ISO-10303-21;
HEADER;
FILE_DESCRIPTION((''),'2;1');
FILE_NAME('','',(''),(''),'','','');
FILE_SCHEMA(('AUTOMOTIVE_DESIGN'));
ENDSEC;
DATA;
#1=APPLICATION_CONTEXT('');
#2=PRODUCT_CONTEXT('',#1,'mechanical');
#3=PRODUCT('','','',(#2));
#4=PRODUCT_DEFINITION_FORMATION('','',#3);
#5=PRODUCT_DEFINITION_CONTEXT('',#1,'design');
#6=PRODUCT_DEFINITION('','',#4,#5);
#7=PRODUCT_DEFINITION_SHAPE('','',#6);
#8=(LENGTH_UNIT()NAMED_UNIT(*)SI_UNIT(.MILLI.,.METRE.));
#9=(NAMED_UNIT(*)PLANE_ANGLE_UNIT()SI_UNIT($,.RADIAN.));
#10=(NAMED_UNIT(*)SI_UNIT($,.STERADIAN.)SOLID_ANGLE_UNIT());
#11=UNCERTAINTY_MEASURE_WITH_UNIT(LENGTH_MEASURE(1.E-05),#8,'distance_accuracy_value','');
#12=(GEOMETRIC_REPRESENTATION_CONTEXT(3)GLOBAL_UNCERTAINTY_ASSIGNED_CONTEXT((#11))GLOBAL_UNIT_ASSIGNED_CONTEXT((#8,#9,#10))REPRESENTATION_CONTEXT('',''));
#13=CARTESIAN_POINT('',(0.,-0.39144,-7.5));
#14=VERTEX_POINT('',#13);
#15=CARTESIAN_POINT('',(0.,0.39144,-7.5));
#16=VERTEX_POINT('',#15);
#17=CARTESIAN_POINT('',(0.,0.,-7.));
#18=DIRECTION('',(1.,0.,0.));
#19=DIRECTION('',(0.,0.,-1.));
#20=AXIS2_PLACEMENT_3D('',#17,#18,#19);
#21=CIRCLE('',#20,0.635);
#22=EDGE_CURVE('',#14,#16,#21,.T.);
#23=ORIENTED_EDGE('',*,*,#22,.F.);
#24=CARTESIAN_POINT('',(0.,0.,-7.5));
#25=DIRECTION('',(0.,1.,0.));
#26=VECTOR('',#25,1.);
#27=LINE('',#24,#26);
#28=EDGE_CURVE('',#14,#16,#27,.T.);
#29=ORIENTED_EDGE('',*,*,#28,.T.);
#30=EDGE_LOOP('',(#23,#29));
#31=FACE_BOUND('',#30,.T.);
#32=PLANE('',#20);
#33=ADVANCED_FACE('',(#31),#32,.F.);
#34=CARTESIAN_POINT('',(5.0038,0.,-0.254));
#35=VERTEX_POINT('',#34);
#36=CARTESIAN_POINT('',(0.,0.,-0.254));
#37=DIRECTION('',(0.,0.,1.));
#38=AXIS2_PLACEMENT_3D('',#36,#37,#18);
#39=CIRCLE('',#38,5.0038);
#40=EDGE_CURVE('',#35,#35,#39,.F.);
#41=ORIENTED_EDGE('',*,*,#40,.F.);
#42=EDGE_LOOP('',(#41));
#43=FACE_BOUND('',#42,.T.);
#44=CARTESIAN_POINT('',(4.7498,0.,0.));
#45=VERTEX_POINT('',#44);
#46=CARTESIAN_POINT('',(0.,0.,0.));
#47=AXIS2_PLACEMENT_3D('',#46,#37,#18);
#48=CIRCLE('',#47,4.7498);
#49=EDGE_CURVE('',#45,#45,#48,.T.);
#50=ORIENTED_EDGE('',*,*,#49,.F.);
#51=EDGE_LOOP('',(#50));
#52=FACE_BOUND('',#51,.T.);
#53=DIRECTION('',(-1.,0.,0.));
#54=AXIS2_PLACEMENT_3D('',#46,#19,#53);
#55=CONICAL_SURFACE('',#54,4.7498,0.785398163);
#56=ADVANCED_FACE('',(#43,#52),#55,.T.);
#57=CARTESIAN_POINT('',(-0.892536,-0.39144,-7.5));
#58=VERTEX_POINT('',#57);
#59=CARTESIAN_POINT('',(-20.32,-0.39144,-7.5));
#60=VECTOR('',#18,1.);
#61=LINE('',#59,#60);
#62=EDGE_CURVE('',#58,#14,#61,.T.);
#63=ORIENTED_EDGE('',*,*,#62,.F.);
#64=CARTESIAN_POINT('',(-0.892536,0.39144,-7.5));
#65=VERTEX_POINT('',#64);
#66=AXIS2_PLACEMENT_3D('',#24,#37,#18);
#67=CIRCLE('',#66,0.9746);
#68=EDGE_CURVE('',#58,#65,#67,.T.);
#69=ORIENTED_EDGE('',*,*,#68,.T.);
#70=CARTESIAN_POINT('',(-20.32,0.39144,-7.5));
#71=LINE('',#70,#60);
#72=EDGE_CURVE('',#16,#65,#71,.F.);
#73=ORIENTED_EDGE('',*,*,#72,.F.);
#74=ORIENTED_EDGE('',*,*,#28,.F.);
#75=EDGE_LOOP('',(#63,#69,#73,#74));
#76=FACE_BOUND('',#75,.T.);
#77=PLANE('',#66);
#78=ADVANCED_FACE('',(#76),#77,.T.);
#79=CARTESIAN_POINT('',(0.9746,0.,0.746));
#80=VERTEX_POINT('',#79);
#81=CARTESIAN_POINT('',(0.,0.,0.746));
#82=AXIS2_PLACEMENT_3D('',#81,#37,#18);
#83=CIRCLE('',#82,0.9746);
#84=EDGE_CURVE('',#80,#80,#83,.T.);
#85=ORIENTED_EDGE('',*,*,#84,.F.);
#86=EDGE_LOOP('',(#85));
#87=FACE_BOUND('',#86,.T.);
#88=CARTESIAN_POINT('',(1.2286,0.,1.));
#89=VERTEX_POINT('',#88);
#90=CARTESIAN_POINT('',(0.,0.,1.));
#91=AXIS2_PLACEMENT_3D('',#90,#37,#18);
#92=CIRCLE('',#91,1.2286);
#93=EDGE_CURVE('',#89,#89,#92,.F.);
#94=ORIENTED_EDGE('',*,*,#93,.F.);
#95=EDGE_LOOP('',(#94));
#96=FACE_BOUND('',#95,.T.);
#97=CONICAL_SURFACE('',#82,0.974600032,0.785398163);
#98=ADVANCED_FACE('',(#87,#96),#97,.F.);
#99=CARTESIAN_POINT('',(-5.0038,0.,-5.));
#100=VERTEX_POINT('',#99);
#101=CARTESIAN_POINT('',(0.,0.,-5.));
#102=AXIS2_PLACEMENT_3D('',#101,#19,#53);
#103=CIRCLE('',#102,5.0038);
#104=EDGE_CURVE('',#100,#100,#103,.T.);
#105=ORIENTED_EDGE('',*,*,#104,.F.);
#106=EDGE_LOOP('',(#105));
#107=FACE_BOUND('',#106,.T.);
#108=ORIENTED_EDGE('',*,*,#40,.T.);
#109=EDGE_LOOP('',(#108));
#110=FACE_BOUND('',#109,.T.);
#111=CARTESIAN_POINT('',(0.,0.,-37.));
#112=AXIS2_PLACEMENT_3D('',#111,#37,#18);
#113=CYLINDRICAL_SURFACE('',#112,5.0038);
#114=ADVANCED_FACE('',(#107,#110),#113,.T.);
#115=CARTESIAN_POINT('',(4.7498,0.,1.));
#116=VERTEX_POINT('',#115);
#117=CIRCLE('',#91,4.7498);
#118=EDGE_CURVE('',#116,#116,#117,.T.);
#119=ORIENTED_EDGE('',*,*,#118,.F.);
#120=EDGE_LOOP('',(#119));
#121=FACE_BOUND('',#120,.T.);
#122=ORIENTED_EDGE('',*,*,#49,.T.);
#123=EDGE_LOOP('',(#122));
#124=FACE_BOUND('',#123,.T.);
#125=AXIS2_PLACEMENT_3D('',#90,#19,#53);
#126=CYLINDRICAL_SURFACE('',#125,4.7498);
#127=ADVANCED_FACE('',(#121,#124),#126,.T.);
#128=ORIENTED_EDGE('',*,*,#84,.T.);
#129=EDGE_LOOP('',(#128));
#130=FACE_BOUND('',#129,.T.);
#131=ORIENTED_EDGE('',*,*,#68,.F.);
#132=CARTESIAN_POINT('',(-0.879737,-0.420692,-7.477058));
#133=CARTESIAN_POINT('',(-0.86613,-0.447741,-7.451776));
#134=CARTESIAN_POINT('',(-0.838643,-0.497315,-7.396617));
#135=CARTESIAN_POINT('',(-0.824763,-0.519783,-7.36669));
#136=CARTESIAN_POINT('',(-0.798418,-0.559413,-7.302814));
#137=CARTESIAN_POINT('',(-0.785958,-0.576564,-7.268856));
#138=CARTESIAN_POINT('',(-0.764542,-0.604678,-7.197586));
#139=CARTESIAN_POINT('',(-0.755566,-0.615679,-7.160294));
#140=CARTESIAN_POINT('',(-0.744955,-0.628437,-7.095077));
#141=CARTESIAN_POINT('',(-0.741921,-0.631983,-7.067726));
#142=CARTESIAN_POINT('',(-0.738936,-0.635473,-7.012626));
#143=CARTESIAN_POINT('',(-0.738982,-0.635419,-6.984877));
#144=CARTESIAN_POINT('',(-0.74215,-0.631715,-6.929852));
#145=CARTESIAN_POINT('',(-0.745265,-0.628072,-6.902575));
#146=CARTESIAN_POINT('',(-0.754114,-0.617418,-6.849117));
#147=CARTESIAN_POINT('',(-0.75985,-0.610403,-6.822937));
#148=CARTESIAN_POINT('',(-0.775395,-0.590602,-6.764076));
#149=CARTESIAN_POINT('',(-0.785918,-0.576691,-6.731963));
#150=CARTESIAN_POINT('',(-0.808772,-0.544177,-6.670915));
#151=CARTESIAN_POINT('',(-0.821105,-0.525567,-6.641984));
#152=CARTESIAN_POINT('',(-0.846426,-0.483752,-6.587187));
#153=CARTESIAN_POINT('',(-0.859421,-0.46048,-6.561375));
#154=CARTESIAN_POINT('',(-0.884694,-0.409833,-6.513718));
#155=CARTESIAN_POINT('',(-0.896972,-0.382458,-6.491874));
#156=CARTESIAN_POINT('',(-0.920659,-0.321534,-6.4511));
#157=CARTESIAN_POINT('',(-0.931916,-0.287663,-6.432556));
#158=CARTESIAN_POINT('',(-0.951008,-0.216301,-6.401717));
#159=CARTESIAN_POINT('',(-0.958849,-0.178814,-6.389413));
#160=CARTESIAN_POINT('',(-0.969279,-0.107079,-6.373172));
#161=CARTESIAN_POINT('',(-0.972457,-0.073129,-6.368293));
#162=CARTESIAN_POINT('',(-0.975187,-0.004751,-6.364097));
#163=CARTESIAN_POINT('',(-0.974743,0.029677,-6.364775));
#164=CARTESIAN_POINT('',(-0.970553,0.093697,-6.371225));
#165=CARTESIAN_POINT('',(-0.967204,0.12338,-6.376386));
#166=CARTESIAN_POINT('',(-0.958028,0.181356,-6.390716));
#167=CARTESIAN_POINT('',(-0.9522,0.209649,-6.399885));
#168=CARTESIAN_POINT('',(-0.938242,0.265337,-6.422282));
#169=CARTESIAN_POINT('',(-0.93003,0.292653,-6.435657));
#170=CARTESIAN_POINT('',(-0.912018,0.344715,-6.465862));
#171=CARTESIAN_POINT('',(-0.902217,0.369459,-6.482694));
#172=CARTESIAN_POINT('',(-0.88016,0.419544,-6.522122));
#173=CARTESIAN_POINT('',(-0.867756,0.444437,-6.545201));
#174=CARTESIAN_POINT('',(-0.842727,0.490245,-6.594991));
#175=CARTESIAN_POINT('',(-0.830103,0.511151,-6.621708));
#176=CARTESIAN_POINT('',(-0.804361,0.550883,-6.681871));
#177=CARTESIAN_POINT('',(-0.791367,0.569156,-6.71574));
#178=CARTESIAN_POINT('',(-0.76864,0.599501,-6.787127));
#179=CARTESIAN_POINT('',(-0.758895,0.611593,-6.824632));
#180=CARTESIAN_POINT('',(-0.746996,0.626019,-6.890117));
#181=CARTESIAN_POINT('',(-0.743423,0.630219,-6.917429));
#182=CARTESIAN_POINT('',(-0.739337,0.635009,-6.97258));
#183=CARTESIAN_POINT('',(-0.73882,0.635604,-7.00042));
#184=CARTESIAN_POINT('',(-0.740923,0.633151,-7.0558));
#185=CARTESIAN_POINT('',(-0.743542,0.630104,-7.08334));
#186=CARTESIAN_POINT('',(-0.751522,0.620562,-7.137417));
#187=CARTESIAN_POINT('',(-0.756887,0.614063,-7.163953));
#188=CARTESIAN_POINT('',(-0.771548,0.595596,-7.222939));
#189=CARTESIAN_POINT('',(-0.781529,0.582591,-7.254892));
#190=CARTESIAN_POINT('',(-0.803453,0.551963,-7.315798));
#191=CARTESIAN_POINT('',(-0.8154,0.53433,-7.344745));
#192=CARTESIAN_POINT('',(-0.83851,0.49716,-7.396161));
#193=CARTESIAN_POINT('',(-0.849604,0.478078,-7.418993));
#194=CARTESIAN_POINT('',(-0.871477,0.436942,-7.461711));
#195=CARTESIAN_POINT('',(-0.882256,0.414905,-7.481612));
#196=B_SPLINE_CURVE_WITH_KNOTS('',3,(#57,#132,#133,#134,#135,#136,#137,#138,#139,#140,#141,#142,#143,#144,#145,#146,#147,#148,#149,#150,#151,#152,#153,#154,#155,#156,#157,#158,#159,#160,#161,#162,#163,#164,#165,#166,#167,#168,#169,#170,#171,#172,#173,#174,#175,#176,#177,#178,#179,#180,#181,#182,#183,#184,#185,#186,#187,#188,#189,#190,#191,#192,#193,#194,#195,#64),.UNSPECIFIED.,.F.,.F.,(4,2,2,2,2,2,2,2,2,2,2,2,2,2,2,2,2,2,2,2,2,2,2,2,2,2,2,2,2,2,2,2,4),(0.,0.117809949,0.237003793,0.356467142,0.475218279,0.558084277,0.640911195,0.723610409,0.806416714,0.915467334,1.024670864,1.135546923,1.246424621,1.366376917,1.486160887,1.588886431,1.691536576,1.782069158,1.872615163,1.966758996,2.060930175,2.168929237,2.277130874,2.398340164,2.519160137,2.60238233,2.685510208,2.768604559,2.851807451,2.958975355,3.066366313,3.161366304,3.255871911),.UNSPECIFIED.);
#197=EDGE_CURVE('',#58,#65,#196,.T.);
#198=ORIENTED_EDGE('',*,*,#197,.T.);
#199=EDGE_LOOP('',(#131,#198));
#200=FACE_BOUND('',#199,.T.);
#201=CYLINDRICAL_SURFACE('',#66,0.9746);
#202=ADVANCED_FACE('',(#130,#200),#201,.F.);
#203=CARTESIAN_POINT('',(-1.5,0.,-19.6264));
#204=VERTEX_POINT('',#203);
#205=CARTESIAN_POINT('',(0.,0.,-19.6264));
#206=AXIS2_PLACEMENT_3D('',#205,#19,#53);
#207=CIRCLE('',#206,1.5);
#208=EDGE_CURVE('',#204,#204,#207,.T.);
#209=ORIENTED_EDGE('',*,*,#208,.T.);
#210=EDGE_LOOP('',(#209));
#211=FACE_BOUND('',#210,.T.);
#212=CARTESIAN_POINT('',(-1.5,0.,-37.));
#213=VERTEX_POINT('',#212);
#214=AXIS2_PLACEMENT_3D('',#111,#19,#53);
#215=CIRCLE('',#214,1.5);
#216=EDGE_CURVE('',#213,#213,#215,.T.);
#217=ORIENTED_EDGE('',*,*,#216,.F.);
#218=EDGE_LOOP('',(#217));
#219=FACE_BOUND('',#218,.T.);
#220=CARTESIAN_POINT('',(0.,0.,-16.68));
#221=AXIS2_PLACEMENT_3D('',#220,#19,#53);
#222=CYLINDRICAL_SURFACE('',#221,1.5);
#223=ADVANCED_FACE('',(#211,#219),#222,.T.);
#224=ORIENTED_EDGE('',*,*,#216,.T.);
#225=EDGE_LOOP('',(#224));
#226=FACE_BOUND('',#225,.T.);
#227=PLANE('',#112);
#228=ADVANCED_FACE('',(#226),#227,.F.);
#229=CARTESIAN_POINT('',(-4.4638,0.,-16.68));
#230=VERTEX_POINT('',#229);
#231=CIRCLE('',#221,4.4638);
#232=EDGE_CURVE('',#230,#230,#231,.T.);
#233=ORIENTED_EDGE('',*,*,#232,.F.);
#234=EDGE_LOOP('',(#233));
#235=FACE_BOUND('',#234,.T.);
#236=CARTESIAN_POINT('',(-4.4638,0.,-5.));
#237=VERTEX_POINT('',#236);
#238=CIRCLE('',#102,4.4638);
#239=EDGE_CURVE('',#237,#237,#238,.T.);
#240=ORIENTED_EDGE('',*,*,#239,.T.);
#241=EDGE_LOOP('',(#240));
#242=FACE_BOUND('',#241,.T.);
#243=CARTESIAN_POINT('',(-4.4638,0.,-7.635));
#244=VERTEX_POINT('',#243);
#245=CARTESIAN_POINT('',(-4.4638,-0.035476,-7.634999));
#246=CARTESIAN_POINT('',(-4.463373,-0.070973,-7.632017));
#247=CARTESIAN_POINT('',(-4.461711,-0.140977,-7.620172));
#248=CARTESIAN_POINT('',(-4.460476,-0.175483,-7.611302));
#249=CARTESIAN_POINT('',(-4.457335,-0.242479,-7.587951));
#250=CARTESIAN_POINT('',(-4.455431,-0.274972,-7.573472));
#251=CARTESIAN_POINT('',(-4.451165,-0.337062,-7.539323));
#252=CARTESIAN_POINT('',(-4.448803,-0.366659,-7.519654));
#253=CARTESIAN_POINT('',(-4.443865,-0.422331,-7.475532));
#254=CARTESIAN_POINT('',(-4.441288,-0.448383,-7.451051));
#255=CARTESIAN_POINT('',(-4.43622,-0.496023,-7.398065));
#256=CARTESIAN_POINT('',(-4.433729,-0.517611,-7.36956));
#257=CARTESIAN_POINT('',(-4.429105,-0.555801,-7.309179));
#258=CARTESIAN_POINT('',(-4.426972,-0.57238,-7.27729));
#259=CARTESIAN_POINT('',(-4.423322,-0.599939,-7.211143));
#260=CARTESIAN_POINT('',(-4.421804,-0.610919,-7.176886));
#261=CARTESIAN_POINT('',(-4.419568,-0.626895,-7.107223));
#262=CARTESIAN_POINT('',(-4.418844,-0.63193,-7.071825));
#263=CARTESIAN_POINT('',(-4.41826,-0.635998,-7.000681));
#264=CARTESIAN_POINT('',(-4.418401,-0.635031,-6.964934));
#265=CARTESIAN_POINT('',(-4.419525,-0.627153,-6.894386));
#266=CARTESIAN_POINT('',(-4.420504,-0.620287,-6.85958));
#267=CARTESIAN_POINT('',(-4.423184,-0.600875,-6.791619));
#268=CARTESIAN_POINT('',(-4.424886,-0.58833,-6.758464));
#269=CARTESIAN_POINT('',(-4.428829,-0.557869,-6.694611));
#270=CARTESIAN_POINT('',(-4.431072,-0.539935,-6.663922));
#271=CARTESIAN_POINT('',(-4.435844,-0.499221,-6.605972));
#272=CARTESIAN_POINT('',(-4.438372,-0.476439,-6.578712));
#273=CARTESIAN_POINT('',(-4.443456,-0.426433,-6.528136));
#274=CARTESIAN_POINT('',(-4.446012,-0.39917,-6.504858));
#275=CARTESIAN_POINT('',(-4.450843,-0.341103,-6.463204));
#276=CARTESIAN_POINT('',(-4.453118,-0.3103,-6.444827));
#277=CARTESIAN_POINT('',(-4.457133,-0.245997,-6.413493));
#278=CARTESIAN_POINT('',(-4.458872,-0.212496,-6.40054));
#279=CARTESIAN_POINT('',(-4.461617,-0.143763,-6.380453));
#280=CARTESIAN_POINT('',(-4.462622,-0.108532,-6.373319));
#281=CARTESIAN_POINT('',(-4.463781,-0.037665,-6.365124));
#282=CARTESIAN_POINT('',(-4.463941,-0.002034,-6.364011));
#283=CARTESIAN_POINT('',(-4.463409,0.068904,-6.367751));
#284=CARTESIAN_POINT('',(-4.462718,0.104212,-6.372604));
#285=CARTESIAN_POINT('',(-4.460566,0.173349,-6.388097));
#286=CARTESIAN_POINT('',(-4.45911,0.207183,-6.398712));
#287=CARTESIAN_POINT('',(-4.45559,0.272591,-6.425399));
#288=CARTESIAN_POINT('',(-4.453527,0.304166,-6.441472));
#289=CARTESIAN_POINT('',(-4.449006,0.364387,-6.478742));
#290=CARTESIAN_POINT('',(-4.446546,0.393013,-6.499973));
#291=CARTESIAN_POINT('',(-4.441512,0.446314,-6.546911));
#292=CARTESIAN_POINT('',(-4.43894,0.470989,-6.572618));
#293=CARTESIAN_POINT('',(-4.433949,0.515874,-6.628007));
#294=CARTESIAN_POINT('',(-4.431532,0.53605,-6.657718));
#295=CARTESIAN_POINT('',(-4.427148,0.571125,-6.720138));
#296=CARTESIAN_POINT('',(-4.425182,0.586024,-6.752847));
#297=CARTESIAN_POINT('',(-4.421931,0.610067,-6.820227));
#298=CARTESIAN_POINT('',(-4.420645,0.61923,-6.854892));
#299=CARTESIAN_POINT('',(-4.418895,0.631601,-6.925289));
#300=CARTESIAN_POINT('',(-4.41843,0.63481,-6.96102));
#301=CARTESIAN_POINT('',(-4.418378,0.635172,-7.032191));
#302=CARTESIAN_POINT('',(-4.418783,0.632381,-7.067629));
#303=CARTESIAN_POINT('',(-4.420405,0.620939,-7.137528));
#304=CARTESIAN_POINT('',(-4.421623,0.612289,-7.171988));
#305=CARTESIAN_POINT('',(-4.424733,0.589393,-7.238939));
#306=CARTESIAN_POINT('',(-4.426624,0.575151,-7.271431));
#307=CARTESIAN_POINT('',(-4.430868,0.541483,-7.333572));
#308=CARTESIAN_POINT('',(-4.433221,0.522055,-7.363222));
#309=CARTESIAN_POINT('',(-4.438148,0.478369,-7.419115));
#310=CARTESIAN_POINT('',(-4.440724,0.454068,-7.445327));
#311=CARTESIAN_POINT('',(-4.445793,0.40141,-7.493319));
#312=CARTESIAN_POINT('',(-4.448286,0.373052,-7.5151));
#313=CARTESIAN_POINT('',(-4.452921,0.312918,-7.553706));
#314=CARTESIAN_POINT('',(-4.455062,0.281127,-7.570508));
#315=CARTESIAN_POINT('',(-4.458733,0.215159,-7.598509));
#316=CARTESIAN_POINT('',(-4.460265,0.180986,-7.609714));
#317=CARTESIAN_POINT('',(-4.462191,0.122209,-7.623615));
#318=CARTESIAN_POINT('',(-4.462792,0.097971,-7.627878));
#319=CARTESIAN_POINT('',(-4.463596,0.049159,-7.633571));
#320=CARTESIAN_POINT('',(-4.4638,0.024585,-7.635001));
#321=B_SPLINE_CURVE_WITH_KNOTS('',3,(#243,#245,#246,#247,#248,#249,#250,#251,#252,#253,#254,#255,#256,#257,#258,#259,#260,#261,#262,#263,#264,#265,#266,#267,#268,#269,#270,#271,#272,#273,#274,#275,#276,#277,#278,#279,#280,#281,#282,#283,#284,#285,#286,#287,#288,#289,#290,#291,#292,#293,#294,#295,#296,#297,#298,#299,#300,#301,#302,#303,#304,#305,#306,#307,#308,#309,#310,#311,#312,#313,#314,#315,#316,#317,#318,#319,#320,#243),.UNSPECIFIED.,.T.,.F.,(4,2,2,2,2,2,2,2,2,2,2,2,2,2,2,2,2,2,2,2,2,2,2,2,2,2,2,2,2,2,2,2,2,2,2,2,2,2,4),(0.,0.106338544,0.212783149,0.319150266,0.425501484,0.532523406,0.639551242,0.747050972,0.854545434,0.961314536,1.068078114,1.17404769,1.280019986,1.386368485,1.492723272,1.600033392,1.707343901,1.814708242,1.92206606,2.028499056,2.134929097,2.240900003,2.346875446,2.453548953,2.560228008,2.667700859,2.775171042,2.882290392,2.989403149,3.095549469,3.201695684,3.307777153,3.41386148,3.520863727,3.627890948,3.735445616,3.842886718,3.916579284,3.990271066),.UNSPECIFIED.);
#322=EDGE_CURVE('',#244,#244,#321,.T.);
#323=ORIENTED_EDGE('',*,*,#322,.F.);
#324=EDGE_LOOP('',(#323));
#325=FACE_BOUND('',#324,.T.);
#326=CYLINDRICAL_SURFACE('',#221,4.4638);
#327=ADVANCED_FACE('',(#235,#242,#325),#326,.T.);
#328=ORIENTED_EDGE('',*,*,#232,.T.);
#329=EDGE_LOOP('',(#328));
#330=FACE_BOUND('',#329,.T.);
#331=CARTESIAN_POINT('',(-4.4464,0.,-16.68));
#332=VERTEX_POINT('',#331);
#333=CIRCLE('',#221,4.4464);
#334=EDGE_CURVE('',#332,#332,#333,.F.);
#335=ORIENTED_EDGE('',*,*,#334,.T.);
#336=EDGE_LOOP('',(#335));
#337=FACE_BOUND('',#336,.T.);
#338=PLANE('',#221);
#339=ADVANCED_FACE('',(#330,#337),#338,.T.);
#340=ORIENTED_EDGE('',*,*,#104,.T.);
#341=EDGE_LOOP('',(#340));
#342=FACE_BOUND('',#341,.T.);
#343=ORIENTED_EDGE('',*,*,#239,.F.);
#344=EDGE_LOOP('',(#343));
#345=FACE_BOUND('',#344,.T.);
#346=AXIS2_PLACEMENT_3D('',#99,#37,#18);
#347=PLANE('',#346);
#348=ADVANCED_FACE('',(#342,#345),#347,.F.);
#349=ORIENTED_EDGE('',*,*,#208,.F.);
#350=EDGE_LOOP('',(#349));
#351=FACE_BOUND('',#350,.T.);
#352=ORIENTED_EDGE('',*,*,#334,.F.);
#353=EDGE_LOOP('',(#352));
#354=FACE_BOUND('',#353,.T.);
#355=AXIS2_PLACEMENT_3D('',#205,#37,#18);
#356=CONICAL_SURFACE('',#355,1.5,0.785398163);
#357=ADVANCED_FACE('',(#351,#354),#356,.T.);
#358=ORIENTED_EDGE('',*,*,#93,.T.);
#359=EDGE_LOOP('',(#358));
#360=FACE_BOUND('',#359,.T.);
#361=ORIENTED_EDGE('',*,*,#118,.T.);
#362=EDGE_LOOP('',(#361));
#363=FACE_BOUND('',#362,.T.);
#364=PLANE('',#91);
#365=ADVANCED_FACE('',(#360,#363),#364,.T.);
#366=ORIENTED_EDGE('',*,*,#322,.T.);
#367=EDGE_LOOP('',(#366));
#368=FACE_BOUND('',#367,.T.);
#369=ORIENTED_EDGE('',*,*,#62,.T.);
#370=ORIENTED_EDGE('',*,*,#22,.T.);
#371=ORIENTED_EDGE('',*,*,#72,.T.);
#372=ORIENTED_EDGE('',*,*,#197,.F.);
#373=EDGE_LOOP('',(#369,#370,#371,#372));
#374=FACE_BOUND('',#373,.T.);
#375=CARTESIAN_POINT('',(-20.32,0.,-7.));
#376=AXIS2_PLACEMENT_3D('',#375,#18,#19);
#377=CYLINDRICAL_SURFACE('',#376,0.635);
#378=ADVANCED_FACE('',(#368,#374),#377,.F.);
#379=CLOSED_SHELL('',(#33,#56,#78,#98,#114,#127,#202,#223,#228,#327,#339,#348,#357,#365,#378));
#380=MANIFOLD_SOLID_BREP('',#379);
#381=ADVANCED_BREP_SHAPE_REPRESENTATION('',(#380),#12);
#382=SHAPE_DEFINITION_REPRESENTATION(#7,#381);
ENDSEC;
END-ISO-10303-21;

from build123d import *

# Parameters (mm, degrees)
SKETCH1_R           = 5.0038
EXTRUDE1_DEPTH      = 37
SKETCH2_R           = 0.974600032
EXTRUDE2_DEPTH      = 7.5
SKETCH3_OUTSIDE_W   = 19.93
SKETCH3_OUTSIDE_H   = 19.93
SKETCH3_OUTSIDE_R   = 1.5
EXTRUDE3_DEPTH      = 20.32
SKETCH5_R           = 0.635
EXTRUDE4_DEPTH      = 20.32
CHAMFER2_SIZE       = 0.254
SKETCH6_W           = 0.539999936
SKETCH6_H           = 11.68
CHAMFER3_SIZE       = 2.9464
SKETCH8_R           = 4.7498
SKETCH8_R_2         = 0.974600032
BOSS_EXTRUDE1_DEPTH = 1
CHAMFER4_SIZE       = 0.254


with BuildPart() as part:
    # Sketch1 → Extrude1 (new body)
    with BuildSketch(Plane.XY):
        Circle(SKETCH1_R)
    extrude(amount=-EXTRUDE1_DEPTH)

    # Sketch2 → Extrude2 (cut)
    with BuildSketch(Plane.XY):
        Circle(SKETCH2_R)
    extrude(amount=-EXTRUDE2_DEPTH, mode=Mode.SUBTRACT)

    # Sketch3 outside → Extrude3 (cut)
    with BuildSketch(Plane(origin=(0, 0, -37), x_dir=(-1, 0, 0), z_dir=(0, 0, -1))):
        Rectangle(SKETCH3_OUTSIDE_W, SKETCH3_OUTSIDE_H)
        Circle(SKETCH3_OUTSIDE_R, mode=Mode.SUBTRACT)
    extrude(amount=-EXTRUDE3_DEPTH, mode=Mode.SUBTRACT)

    # Sketch5 → Extrude4 (cut)
    with BuildSketch(Plane(origin=(0, 0, 0), x_dir=(0, 0, -1), z_dir=(1, 0, 0))):
        with Locations((7, 0)):
            Circle(SKETCH5_R)
    extrude(amount=-EXTRUDE4_DEPTH, mode=Mode.SUBTRACT)

    # Chamfer2
    chamfer2_edges = [part.edges().sort_by_distance(p)[0] for p in [
        (-5.0038, 0, 0),
    ]]
    chamfer(chamfer2_edges, length=CHAMFER2_SIZE)

    # Sketch6 → Cut-Revolve1 (revolve, cut)
    with BuildSketch(Plane(origin=(0, 0, 0), x_dir=(1, 0, 0), z_dir=(0, 1, 0))):
        with Locations((-4.733800032, 10.84)):
            Rectangle(SKETCH6_W, SKETCH6_H)
    revolve(axis=Axis((0, 0, -37), (0, 0, 1)), mode=Mode.SUBTRACT)

    # Chamfer3
    chamfer3_edges = [part.edges().sort_by_distance(p)[0] for p in [
        (1.5, 0, -16.68),
    ]]
    chamfer(chamfer3_edges, length=CHAMFER3_SIZE)

    # Sketch8 → Boss-Extrude1 (add)
    with BuildSketch(Plane.XY):
        Circle(SKETCH8_R)
        Circle(SKETCH8_R_2, mode=Mode.SUBTRACT)
    extrude(amount=BOSS_EXTRUDE1_DEPTH)

    # Chamfer4
    chamfer4_edges = [part.edges().sort_by_distance(p)[0] for p in [
        (-0.974600032, 0, 1),
    ]]
    chamfer(chamfer4_edges, length=CHAMFER4_SIZE)


solid = part.part
